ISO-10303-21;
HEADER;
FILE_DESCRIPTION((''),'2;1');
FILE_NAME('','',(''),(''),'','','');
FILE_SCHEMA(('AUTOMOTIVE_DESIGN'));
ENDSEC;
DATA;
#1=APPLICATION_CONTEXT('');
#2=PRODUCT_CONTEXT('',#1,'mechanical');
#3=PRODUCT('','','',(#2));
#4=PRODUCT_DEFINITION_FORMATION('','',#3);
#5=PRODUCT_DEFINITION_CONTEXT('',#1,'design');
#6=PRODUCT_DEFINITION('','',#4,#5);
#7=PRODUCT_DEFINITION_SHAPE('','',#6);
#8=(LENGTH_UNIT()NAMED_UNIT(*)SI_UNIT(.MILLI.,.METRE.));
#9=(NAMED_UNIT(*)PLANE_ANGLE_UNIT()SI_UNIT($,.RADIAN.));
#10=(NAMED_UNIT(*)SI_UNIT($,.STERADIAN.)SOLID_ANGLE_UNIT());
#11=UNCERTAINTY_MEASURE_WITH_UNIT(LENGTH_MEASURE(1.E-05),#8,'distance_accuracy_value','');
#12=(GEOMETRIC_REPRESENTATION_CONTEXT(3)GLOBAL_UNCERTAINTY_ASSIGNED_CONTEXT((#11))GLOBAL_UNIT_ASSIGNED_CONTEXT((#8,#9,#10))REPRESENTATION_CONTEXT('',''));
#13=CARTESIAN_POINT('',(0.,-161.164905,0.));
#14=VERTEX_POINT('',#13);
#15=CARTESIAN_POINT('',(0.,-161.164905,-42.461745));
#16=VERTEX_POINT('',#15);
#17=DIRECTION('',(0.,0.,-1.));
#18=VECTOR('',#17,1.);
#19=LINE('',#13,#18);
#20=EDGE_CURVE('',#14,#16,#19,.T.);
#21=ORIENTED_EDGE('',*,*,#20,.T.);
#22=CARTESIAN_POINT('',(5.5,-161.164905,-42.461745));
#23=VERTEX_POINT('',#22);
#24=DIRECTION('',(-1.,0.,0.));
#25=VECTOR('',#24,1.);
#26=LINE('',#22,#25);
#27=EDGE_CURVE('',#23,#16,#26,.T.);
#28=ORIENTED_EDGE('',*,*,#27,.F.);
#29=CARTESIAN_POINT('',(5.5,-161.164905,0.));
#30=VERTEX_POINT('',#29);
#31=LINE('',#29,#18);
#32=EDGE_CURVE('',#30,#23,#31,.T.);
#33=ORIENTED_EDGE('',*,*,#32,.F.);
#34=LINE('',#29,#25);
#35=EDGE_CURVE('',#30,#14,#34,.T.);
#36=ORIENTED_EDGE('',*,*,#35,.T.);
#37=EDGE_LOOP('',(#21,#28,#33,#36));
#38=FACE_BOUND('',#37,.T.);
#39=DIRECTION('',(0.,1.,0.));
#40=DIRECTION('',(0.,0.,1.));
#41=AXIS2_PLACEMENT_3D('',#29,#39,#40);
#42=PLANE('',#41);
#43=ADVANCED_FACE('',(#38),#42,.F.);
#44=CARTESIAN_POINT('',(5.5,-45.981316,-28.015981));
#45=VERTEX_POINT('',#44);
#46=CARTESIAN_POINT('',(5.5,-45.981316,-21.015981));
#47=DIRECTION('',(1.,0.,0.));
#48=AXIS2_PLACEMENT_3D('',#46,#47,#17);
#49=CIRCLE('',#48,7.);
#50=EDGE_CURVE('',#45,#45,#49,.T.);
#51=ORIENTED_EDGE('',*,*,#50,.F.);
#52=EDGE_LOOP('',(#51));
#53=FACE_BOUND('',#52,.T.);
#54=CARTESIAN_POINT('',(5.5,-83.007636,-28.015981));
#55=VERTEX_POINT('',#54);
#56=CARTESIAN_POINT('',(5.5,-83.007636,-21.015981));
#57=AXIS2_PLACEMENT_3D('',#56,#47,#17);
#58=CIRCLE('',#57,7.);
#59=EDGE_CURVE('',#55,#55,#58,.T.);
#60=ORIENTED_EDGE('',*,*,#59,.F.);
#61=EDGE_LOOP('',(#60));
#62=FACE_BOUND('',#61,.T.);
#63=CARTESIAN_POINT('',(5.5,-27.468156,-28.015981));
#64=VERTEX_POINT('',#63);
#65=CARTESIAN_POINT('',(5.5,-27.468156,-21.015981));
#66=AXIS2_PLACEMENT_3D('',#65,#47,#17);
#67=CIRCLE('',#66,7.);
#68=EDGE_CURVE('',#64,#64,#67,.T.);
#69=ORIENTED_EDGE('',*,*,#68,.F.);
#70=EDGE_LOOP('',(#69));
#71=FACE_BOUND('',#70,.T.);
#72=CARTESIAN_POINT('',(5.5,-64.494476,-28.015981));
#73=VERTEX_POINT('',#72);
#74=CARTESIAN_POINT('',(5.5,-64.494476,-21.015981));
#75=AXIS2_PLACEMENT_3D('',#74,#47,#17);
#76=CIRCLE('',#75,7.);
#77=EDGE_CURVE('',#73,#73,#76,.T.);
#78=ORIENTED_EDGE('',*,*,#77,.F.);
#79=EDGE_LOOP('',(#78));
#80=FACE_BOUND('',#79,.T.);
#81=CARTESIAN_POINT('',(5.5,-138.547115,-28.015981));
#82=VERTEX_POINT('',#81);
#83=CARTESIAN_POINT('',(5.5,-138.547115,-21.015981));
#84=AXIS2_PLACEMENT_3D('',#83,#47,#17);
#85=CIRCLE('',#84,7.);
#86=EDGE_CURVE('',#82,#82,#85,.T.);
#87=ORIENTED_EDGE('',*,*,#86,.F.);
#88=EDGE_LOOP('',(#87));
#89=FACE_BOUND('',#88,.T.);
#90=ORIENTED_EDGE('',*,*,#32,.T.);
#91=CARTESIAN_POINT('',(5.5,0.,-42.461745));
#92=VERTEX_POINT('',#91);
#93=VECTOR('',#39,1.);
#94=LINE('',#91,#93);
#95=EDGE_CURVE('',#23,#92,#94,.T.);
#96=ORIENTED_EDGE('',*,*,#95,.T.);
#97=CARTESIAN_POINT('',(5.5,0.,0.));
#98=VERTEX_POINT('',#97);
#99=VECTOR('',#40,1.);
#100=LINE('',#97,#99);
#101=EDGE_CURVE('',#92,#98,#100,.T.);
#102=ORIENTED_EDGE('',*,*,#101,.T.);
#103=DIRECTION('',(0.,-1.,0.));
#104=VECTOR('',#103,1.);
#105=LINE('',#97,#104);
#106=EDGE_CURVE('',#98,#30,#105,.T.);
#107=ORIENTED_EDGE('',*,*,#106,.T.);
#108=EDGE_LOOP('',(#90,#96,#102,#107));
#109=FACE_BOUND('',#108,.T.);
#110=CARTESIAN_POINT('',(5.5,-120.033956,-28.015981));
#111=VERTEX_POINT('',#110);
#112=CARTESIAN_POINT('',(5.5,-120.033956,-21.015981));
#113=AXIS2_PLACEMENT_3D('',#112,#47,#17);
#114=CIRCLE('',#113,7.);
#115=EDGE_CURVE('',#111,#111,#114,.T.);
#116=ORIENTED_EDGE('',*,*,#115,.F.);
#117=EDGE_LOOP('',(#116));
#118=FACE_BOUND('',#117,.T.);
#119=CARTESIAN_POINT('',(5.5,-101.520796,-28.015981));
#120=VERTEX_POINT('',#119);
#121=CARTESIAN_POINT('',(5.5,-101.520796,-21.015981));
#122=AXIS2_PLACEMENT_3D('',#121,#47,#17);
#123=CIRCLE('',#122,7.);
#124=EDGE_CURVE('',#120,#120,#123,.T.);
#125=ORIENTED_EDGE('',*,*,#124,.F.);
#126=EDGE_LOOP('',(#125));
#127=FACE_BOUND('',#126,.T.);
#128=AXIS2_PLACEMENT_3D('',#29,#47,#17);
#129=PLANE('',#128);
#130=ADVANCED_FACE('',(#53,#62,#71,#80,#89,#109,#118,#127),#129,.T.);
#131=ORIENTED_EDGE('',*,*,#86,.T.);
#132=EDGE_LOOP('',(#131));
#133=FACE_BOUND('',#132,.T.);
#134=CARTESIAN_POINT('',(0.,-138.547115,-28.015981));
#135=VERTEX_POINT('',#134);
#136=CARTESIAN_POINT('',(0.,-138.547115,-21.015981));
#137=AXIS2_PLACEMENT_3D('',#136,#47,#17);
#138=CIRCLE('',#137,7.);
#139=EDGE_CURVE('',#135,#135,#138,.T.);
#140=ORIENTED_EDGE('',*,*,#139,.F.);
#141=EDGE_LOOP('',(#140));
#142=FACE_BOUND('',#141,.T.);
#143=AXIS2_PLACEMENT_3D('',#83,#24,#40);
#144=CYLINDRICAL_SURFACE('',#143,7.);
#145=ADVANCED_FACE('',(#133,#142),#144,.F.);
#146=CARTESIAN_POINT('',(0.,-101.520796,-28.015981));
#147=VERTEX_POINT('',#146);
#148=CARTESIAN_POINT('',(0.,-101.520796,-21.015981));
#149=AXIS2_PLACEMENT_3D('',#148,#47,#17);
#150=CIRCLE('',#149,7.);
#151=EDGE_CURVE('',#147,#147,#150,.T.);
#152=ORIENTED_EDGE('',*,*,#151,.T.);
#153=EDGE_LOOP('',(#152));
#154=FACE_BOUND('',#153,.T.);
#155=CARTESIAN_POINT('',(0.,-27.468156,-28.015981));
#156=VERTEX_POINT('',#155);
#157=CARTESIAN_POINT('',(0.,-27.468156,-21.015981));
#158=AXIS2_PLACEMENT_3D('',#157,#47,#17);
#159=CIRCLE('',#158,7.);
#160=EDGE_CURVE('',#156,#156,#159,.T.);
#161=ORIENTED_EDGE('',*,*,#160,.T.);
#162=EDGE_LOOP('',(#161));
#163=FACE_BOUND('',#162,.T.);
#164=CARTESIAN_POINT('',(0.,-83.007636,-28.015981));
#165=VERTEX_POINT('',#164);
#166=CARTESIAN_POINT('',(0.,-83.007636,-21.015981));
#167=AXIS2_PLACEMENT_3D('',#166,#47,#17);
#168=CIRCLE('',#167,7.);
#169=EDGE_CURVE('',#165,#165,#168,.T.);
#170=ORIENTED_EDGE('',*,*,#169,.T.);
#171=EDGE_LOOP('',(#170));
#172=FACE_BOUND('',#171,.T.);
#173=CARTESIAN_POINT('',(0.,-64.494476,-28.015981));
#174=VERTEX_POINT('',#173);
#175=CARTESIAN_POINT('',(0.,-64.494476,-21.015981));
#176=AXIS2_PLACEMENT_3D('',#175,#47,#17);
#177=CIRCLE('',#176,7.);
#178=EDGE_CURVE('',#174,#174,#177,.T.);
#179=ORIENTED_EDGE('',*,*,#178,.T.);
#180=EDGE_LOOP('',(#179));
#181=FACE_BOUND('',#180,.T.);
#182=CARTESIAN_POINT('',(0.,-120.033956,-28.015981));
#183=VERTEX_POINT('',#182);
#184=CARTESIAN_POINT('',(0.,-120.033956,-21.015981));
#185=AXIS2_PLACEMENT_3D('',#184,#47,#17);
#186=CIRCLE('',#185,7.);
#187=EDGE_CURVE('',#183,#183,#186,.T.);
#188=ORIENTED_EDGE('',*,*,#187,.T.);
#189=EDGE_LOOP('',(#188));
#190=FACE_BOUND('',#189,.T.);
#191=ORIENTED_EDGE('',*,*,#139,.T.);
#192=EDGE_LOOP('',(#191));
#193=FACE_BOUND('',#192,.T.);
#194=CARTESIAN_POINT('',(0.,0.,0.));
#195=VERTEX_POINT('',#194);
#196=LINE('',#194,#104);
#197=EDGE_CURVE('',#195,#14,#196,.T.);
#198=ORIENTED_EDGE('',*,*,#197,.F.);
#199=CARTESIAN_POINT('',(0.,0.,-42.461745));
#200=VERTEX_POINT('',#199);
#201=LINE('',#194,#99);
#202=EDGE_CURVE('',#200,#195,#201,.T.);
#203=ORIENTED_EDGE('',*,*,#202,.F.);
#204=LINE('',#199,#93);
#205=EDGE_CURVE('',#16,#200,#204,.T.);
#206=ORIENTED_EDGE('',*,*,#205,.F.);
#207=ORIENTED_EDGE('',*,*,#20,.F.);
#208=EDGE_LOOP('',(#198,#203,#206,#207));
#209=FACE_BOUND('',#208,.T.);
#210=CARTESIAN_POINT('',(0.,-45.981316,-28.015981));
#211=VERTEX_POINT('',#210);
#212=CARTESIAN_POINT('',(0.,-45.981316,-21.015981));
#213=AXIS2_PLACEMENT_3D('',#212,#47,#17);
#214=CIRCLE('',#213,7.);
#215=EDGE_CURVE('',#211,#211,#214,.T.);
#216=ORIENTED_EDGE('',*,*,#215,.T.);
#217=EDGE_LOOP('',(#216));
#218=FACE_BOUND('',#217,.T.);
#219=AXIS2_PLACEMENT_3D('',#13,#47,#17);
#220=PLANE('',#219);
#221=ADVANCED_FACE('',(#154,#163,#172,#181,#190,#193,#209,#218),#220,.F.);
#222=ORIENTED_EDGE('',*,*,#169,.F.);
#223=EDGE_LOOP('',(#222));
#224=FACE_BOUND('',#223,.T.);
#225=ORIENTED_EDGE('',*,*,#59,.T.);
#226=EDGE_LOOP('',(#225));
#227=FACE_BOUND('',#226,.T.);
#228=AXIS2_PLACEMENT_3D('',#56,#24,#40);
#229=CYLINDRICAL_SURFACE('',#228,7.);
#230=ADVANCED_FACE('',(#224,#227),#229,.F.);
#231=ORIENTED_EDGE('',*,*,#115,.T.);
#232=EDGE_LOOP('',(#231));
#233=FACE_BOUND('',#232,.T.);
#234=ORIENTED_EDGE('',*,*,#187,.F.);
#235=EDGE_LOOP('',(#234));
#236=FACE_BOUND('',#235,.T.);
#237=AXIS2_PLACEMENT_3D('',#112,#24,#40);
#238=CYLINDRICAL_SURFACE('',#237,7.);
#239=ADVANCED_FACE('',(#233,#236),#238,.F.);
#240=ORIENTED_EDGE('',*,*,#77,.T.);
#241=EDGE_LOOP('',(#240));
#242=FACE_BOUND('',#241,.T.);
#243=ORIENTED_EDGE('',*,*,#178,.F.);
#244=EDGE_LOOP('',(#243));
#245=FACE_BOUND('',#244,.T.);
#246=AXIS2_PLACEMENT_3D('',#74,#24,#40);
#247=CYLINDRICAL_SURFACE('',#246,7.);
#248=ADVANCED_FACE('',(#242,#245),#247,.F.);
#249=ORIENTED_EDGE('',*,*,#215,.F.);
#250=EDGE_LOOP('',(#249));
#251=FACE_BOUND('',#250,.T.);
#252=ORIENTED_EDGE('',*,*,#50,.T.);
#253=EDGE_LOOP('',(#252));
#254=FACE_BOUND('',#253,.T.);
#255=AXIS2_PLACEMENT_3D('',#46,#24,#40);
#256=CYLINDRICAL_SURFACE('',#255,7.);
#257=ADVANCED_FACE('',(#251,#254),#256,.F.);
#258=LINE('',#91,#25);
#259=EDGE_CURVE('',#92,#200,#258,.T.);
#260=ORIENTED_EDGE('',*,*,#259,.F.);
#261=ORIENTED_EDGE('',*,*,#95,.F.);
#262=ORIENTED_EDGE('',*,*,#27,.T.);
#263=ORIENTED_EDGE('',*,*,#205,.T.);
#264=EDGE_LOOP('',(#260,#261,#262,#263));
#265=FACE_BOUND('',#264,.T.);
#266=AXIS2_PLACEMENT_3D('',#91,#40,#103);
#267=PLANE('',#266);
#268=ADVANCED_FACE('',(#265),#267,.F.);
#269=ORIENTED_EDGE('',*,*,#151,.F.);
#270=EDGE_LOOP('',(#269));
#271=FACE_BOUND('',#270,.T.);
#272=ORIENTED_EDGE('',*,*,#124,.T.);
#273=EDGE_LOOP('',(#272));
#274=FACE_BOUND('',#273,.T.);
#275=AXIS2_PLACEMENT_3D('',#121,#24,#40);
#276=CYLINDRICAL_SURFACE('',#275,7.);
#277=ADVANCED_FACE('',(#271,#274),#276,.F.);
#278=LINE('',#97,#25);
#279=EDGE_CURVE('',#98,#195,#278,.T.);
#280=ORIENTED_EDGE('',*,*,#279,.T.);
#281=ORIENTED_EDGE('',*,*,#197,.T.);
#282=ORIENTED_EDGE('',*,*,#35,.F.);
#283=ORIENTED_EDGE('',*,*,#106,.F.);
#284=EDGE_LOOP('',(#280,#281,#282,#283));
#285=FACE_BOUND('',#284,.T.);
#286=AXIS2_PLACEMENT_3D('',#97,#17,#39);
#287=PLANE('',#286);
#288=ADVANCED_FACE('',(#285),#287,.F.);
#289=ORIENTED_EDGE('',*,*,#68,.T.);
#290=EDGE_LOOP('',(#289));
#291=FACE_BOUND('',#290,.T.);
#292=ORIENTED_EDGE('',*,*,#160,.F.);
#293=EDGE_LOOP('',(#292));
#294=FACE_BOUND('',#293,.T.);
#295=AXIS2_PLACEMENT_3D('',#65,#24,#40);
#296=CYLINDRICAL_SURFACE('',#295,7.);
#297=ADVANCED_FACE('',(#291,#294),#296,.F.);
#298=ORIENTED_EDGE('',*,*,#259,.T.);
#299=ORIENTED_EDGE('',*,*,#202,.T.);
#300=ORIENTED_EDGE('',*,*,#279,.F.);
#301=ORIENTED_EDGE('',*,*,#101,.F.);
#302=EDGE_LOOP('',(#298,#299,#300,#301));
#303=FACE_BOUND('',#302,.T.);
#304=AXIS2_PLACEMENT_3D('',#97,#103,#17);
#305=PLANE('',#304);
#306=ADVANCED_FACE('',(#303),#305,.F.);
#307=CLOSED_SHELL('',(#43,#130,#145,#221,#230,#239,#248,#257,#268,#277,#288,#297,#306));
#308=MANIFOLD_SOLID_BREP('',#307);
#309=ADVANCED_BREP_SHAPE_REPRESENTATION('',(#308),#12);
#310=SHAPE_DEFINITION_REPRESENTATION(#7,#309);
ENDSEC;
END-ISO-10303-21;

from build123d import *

# Parameters (mm, degrees)
SKETCH_1_W      = 42.461745147
SKETCH_1_H      = 161.164904789
SKETCH_1_R      = 7
EXTRUDE_1_DEPTH = 5.5


with BuildPart() as part:
    # Эскиз1 → Вытянуть1 (new body)
    with BuildSketch(Plane(origin=(0, 0, 0), x_dir=(0, 0, -1), z_dir=(1, 0, 0))):
        with Locations((21.230872574, -80.582452395)):
            Rectangle(SKETCH_1_W, SKETCH_1_H)
        with Locations((21.015980905, -27.468155655)):
            Circle(SKETCH_1_R, mode=Mode.SUBTRACT)
        with Locations((21.015980905, -45.981315628)):
            Circle(SKETCH_1_R, mode=Mode.SUBTRACT)
        with Locations((21.015980905, -64.4944756)):
            Circle(SKETCH_1_R, mode=Mode.SUBTRACT)
        with Locations((21.015980905, -83.007635573)):
            Circle(SKETCH_1_R, mode=Mode.SUBTRACT)
        with Locations((21.015980905, -101.520795545)):
            Circle(SKETCH_1_R, mode=Mode.SUBTRACT)
        with Locations((21.015980905, -120.033955517)):
            Circle(SKETCH_1_R, mode=Mode.SUBTRACT)
        with Locations((21.015980905, -138.54711549)):
            Circle(SKETCH_1_R, mode=Mode.SUBTRACT)
    extrude(amount=EXTRUDE_1_DEPTH)


solid = part.part
